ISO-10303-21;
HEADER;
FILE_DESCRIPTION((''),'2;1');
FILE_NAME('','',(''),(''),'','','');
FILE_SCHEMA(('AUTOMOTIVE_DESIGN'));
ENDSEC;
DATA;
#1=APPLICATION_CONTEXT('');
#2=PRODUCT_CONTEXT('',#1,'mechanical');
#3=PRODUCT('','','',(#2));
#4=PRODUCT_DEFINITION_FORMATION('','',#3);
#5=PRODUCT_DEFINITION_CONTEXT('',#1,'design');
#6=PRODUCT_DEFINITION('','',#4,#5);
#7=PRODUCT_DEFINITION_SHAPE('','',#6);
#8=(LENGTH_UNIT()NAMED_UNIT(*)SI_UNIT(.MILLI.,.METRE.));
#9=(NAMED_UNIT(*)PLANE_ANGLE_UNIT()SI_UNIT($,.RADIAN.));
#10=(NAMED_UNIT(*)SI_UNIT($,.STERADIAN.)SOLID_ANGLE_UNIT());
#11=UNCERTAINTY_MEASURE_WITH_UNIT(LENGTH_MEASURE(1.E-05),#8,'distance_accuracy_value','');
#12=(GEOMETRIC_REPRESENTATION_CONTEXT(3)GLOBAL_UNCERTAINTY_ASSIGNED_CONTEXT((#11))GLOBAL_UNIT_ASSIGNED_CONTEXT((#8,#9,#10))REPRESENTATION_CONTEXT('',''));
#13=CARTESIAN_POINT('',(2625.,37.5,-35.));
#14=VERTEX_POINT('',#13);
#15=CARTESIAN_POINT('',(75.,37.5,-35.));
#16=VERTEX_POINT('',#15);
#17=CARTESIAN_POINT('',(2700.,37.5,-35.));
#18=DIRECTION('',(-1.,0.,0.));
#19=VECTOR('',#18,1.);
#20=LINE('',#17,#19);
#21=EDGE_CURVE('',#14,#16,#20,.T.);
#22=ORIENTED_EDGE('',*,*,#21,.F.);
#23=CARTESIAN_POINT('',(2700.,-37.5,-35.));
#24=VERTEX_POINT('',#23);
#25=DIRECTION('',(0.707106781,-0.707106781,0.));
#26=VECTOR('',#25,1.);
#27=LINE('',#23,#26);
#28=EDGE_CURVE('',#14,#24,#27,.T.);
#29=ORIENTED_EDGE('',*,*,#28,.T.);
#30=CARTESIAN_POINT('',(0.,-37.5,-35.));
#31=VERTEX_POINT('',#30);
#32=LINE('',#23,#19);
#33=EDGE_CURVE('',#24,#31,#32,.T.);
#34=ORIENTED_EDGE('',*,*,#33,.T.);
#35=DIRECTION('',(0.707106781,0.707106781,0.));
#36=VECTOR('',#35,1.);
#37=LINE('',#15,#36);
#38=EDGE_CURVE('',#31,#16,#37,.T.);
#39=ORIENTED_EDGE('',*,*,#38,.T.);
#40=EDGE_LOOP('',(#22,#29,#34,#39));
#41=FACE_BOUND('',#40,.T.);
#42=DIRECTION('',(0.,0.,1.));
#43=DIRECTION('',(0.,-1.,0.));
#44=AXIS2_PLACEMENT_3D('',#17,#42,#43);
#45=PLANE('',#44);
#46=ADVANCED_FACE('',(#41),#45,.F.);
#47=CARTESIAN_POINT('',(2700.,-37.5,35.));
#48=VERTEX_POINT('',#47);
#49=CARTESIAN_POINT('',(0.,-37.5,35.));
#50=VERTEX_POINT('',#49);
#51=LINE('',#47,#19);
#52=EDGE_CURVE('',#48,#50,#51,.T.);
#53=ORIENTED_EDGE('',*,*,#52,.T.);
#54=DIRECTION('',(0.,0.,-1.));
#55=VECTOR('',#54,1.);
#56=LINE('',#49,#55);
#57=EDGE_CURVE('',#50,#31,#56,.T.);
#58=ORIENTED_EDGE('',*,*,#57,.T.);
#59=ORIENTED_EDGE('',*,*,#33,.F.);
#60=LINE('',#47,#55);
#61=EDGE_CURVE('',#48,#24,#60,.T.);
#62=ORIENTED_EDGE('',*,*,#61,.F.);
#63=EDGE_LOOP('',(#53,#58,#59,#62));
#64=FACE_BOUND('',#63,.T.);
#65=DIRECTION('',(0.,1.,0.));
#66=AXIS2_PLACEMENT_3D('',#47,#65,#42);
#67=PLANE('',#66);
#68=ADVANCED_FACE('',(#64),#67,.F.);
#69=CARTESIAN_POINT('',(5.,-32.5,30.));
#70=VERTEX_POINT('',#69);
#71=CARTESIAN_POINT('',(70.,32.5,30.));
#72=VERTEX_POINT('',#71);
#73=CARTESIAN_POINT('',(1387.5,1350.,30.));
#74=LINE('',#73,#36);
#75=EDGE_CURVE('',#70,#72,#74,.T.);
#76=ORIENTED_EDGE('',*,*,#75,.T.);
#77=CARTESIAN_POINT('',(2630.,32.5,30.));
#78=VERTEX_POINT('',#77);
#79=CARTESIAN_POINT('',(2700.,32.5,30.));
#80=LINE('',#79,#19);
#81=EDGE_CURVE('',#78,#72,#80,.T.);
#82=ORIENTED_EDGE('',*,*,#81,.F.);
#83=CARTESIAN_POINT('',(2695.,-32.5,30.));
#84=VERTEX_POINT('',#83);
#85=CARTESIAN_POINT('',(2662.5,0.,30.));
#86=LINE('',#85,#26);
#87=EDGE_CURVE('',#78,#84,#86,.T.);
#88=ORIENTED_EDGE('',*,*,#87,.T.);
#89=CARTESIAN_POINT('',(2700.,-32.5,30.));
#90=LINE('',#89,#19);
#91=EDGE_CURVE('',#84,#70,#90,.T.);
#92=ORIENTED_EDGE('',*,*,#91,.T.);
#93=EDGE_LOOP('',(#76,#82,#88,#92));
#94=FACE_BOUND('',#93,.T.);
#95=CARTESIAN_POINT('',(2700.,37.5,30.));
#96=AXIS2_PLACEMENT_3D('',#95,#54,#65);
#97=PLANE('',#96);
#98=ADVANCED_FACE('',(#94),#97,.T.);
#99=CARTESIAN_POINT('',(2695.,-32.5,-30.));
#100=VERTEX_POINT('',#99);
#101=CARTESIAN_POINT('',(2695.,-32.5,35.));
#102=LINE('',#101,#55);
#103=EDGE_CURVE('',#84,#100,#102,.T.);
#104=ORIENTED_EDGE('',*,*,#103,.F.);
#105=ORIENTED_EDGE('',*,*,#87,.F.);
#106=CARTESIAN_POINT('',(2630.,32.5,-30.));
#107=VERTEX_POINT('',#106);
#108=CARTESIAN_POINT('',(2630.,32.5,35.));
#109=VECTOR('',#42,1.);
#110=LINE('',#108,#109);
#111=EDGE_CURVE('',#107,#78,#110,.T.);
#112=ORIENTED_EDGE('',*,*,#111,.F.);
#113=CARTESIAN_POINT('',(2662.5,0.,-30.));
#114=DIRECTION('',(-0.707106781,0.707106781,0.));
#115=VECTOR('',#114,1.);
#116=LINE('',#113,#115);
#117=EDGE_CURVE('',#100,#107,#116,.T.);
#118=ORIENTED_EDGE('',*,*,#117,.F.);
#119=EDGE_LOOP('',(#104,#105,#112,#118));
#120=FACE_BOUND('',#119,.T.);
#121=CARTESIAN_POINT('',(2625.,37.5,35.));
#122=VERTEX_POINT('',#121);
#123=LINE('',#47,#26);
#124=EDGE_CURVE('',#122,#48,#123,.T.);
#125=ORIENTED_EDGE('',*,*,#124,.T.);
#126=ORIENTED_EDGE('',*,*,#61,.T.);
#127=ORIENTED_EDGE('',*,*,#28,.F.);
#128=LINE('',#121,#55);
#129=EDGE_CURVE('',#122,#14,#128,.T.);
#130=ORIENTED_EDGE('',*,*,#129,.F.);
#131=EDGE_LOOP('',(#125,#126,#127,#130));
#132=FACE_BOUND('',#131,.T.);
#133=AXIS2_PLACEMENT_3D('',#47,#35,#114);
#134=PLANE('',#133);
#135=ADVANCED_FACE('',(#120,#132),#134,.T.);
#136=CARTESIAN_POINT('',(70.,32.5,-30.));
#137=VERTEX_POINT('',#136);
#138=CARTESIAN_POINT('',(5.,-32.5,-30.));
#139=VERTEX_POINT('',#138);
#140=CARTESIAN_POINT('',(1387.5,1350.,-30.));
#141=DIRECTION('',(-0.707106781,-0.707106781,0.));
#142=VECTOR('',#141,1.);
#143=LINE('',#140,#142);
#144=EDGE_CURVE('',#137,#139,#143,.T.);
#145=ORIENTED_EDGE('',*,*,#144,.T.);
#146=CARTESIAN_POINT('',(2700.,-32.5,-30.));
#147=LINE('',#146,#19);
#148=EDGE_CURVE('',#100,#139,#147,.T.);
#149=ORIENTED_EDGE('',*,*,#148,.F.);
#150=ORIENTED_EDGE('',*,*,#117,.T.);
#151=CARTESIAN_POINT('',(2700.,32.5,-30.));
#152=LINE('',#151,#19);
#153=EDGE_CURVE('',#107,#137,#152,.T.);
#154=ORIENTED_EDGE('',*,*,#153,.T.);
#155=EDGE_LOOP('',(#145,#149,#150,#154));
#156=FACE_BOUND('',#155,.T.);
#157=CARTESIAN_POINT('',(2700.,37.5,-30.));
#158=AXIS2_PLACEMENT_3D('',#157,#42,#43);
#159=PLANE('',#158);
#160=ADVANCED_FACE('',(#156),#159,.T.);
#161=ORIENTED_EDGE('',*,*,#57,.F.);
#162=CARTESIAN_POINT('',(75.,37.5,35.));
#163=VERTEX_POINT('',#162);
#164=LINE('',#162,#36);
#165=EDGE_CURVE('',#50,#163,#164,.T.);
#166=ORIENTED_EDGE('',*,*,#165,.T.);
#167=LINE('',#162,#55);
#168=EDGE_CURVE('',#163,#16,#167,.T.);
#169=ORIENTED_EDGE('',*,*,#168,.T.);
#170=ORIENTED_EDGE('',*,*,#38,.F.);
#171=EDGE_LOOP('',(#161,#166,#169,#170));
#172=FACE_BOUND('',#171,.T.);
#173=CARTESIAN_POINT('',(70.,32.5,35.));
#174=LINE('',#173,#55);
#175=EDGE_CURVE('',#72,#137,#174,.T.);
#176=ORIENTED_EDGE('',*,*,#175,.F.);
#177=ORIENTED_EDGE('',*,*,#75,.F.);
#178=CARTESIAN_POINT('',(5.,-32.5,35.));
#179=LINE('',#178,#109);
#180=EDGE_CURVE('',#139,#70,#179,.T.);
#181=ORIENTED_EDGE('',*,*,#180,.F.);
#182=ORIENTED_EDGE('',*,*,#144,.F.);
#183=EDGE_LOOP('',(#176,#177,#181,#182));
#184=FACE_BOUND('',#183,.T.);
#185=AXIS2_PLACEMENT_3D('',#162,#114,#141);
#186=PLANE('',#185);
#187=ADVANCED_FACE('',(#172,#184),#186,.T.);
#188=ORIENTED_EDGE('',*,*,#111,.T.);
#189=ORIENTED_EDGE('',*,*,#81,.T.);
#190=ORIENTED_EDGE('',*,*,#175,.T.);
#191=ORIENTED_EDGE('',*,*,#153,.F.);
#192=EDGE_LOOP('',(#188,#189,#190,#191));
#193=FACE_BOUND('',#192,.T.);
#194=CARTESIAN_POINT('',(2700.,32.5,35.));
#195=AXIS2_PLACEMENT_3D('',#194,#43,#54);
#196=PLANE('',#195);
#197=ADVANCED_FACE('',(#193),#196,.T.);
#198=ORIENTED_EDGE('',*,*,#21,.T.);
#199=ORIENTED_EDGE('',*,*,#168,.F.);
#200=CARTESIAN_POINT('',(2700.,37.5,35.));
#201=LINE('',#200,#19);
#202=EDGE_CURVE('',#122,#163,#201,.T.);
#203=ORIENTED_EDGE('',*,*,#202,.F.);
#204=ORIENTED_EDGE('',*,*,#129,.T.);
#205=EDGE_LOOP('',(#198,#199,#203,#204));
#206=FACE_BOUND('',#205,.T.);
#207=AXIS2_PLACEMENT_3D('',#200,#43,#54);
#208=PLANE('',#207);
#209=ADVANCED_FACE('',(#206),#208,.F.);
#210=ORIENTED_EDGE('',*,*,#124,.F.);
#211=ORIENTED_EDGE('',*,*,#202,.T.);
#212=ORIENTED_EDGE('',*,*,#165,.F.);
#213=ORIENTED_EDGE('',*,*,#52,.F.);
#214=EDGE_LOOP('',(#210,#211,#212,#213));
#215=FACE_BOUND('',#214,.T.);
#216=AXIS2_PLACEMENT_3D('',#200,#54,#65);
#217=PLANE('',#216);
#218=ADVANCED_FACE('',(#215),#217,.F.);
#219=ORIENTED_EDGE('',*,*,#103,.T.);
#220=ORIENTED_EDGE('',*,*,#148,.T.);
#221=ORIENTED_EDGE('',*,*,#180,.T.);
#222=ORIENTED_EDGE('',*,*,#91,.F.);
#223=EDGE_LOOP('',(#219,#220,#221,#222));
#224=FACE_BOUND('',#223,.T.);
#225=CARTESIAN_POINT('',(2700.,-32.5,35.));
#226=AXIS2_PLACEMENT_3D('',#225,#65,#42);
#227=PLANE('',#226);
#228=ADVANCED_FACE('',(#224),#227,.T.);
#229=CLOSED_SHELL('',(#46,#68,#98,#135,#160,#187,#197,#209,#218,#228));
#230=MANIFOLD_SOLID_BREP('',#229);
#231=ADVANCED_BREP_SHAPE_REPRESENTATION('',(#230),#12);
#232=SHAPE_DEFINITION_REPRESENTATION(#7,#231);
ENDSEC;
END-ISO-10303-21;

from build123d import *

# Parameters (mm, degrees)
SKETCH_2_W          = 70
SKETCH_2_H          = 75
SKETCH_2_W_2        = 60
SKETCH_2_H_2        = 65
EXTRUDE_1_DEPTH     = 2700
SKETCH_3_OUTSIDE_W  = 3242.39
SKETCH_3_OUTSIDE_H  = 617.39
CUT_EXTRUDE_1_DEPTH = 71


with BuildPart() as part:
    # Эскиз2 → Вытянуть-Тонкостенный1 (new body)
    with BuildSketch(Plane(origin=(0, 0, 0), x_dir=(0, 0, -1), z_dir=(1, 0, 0))):
        Rectangle(SKETCH_2_W, SKETCH_2_H)
        Rectangle(SKETCH_2_W_2, SKETCH_2_H_2, mode=Mode.SUBTRACT)
    extrude(amount=EXTRUDE_1_DEPTH)

    # Эскиз3 outside → Вырез-Вытянуть1 (cut, through all)
    with BuildSketch(Plane(origin=(0, 0, -35), x_dir=(-1, 0, 0), z_dir=(0, 0, -1))):
        with Locations((-1350, 0)):
            Rectangle(SKETCH_3_OUTSIDE_W, SKETCH_3_OUTSIDE_H)
        Polygon((-2700, -37.5), (-2625, 37.5), (-75, 37.5), (0, -37.5), align=None, mode=Mode.SUBTRACT)
    extrude(amount=-CUT_EXTRUDE_1_DEPTH, mode=Mode.SUBTRACT)


solid = part.part
